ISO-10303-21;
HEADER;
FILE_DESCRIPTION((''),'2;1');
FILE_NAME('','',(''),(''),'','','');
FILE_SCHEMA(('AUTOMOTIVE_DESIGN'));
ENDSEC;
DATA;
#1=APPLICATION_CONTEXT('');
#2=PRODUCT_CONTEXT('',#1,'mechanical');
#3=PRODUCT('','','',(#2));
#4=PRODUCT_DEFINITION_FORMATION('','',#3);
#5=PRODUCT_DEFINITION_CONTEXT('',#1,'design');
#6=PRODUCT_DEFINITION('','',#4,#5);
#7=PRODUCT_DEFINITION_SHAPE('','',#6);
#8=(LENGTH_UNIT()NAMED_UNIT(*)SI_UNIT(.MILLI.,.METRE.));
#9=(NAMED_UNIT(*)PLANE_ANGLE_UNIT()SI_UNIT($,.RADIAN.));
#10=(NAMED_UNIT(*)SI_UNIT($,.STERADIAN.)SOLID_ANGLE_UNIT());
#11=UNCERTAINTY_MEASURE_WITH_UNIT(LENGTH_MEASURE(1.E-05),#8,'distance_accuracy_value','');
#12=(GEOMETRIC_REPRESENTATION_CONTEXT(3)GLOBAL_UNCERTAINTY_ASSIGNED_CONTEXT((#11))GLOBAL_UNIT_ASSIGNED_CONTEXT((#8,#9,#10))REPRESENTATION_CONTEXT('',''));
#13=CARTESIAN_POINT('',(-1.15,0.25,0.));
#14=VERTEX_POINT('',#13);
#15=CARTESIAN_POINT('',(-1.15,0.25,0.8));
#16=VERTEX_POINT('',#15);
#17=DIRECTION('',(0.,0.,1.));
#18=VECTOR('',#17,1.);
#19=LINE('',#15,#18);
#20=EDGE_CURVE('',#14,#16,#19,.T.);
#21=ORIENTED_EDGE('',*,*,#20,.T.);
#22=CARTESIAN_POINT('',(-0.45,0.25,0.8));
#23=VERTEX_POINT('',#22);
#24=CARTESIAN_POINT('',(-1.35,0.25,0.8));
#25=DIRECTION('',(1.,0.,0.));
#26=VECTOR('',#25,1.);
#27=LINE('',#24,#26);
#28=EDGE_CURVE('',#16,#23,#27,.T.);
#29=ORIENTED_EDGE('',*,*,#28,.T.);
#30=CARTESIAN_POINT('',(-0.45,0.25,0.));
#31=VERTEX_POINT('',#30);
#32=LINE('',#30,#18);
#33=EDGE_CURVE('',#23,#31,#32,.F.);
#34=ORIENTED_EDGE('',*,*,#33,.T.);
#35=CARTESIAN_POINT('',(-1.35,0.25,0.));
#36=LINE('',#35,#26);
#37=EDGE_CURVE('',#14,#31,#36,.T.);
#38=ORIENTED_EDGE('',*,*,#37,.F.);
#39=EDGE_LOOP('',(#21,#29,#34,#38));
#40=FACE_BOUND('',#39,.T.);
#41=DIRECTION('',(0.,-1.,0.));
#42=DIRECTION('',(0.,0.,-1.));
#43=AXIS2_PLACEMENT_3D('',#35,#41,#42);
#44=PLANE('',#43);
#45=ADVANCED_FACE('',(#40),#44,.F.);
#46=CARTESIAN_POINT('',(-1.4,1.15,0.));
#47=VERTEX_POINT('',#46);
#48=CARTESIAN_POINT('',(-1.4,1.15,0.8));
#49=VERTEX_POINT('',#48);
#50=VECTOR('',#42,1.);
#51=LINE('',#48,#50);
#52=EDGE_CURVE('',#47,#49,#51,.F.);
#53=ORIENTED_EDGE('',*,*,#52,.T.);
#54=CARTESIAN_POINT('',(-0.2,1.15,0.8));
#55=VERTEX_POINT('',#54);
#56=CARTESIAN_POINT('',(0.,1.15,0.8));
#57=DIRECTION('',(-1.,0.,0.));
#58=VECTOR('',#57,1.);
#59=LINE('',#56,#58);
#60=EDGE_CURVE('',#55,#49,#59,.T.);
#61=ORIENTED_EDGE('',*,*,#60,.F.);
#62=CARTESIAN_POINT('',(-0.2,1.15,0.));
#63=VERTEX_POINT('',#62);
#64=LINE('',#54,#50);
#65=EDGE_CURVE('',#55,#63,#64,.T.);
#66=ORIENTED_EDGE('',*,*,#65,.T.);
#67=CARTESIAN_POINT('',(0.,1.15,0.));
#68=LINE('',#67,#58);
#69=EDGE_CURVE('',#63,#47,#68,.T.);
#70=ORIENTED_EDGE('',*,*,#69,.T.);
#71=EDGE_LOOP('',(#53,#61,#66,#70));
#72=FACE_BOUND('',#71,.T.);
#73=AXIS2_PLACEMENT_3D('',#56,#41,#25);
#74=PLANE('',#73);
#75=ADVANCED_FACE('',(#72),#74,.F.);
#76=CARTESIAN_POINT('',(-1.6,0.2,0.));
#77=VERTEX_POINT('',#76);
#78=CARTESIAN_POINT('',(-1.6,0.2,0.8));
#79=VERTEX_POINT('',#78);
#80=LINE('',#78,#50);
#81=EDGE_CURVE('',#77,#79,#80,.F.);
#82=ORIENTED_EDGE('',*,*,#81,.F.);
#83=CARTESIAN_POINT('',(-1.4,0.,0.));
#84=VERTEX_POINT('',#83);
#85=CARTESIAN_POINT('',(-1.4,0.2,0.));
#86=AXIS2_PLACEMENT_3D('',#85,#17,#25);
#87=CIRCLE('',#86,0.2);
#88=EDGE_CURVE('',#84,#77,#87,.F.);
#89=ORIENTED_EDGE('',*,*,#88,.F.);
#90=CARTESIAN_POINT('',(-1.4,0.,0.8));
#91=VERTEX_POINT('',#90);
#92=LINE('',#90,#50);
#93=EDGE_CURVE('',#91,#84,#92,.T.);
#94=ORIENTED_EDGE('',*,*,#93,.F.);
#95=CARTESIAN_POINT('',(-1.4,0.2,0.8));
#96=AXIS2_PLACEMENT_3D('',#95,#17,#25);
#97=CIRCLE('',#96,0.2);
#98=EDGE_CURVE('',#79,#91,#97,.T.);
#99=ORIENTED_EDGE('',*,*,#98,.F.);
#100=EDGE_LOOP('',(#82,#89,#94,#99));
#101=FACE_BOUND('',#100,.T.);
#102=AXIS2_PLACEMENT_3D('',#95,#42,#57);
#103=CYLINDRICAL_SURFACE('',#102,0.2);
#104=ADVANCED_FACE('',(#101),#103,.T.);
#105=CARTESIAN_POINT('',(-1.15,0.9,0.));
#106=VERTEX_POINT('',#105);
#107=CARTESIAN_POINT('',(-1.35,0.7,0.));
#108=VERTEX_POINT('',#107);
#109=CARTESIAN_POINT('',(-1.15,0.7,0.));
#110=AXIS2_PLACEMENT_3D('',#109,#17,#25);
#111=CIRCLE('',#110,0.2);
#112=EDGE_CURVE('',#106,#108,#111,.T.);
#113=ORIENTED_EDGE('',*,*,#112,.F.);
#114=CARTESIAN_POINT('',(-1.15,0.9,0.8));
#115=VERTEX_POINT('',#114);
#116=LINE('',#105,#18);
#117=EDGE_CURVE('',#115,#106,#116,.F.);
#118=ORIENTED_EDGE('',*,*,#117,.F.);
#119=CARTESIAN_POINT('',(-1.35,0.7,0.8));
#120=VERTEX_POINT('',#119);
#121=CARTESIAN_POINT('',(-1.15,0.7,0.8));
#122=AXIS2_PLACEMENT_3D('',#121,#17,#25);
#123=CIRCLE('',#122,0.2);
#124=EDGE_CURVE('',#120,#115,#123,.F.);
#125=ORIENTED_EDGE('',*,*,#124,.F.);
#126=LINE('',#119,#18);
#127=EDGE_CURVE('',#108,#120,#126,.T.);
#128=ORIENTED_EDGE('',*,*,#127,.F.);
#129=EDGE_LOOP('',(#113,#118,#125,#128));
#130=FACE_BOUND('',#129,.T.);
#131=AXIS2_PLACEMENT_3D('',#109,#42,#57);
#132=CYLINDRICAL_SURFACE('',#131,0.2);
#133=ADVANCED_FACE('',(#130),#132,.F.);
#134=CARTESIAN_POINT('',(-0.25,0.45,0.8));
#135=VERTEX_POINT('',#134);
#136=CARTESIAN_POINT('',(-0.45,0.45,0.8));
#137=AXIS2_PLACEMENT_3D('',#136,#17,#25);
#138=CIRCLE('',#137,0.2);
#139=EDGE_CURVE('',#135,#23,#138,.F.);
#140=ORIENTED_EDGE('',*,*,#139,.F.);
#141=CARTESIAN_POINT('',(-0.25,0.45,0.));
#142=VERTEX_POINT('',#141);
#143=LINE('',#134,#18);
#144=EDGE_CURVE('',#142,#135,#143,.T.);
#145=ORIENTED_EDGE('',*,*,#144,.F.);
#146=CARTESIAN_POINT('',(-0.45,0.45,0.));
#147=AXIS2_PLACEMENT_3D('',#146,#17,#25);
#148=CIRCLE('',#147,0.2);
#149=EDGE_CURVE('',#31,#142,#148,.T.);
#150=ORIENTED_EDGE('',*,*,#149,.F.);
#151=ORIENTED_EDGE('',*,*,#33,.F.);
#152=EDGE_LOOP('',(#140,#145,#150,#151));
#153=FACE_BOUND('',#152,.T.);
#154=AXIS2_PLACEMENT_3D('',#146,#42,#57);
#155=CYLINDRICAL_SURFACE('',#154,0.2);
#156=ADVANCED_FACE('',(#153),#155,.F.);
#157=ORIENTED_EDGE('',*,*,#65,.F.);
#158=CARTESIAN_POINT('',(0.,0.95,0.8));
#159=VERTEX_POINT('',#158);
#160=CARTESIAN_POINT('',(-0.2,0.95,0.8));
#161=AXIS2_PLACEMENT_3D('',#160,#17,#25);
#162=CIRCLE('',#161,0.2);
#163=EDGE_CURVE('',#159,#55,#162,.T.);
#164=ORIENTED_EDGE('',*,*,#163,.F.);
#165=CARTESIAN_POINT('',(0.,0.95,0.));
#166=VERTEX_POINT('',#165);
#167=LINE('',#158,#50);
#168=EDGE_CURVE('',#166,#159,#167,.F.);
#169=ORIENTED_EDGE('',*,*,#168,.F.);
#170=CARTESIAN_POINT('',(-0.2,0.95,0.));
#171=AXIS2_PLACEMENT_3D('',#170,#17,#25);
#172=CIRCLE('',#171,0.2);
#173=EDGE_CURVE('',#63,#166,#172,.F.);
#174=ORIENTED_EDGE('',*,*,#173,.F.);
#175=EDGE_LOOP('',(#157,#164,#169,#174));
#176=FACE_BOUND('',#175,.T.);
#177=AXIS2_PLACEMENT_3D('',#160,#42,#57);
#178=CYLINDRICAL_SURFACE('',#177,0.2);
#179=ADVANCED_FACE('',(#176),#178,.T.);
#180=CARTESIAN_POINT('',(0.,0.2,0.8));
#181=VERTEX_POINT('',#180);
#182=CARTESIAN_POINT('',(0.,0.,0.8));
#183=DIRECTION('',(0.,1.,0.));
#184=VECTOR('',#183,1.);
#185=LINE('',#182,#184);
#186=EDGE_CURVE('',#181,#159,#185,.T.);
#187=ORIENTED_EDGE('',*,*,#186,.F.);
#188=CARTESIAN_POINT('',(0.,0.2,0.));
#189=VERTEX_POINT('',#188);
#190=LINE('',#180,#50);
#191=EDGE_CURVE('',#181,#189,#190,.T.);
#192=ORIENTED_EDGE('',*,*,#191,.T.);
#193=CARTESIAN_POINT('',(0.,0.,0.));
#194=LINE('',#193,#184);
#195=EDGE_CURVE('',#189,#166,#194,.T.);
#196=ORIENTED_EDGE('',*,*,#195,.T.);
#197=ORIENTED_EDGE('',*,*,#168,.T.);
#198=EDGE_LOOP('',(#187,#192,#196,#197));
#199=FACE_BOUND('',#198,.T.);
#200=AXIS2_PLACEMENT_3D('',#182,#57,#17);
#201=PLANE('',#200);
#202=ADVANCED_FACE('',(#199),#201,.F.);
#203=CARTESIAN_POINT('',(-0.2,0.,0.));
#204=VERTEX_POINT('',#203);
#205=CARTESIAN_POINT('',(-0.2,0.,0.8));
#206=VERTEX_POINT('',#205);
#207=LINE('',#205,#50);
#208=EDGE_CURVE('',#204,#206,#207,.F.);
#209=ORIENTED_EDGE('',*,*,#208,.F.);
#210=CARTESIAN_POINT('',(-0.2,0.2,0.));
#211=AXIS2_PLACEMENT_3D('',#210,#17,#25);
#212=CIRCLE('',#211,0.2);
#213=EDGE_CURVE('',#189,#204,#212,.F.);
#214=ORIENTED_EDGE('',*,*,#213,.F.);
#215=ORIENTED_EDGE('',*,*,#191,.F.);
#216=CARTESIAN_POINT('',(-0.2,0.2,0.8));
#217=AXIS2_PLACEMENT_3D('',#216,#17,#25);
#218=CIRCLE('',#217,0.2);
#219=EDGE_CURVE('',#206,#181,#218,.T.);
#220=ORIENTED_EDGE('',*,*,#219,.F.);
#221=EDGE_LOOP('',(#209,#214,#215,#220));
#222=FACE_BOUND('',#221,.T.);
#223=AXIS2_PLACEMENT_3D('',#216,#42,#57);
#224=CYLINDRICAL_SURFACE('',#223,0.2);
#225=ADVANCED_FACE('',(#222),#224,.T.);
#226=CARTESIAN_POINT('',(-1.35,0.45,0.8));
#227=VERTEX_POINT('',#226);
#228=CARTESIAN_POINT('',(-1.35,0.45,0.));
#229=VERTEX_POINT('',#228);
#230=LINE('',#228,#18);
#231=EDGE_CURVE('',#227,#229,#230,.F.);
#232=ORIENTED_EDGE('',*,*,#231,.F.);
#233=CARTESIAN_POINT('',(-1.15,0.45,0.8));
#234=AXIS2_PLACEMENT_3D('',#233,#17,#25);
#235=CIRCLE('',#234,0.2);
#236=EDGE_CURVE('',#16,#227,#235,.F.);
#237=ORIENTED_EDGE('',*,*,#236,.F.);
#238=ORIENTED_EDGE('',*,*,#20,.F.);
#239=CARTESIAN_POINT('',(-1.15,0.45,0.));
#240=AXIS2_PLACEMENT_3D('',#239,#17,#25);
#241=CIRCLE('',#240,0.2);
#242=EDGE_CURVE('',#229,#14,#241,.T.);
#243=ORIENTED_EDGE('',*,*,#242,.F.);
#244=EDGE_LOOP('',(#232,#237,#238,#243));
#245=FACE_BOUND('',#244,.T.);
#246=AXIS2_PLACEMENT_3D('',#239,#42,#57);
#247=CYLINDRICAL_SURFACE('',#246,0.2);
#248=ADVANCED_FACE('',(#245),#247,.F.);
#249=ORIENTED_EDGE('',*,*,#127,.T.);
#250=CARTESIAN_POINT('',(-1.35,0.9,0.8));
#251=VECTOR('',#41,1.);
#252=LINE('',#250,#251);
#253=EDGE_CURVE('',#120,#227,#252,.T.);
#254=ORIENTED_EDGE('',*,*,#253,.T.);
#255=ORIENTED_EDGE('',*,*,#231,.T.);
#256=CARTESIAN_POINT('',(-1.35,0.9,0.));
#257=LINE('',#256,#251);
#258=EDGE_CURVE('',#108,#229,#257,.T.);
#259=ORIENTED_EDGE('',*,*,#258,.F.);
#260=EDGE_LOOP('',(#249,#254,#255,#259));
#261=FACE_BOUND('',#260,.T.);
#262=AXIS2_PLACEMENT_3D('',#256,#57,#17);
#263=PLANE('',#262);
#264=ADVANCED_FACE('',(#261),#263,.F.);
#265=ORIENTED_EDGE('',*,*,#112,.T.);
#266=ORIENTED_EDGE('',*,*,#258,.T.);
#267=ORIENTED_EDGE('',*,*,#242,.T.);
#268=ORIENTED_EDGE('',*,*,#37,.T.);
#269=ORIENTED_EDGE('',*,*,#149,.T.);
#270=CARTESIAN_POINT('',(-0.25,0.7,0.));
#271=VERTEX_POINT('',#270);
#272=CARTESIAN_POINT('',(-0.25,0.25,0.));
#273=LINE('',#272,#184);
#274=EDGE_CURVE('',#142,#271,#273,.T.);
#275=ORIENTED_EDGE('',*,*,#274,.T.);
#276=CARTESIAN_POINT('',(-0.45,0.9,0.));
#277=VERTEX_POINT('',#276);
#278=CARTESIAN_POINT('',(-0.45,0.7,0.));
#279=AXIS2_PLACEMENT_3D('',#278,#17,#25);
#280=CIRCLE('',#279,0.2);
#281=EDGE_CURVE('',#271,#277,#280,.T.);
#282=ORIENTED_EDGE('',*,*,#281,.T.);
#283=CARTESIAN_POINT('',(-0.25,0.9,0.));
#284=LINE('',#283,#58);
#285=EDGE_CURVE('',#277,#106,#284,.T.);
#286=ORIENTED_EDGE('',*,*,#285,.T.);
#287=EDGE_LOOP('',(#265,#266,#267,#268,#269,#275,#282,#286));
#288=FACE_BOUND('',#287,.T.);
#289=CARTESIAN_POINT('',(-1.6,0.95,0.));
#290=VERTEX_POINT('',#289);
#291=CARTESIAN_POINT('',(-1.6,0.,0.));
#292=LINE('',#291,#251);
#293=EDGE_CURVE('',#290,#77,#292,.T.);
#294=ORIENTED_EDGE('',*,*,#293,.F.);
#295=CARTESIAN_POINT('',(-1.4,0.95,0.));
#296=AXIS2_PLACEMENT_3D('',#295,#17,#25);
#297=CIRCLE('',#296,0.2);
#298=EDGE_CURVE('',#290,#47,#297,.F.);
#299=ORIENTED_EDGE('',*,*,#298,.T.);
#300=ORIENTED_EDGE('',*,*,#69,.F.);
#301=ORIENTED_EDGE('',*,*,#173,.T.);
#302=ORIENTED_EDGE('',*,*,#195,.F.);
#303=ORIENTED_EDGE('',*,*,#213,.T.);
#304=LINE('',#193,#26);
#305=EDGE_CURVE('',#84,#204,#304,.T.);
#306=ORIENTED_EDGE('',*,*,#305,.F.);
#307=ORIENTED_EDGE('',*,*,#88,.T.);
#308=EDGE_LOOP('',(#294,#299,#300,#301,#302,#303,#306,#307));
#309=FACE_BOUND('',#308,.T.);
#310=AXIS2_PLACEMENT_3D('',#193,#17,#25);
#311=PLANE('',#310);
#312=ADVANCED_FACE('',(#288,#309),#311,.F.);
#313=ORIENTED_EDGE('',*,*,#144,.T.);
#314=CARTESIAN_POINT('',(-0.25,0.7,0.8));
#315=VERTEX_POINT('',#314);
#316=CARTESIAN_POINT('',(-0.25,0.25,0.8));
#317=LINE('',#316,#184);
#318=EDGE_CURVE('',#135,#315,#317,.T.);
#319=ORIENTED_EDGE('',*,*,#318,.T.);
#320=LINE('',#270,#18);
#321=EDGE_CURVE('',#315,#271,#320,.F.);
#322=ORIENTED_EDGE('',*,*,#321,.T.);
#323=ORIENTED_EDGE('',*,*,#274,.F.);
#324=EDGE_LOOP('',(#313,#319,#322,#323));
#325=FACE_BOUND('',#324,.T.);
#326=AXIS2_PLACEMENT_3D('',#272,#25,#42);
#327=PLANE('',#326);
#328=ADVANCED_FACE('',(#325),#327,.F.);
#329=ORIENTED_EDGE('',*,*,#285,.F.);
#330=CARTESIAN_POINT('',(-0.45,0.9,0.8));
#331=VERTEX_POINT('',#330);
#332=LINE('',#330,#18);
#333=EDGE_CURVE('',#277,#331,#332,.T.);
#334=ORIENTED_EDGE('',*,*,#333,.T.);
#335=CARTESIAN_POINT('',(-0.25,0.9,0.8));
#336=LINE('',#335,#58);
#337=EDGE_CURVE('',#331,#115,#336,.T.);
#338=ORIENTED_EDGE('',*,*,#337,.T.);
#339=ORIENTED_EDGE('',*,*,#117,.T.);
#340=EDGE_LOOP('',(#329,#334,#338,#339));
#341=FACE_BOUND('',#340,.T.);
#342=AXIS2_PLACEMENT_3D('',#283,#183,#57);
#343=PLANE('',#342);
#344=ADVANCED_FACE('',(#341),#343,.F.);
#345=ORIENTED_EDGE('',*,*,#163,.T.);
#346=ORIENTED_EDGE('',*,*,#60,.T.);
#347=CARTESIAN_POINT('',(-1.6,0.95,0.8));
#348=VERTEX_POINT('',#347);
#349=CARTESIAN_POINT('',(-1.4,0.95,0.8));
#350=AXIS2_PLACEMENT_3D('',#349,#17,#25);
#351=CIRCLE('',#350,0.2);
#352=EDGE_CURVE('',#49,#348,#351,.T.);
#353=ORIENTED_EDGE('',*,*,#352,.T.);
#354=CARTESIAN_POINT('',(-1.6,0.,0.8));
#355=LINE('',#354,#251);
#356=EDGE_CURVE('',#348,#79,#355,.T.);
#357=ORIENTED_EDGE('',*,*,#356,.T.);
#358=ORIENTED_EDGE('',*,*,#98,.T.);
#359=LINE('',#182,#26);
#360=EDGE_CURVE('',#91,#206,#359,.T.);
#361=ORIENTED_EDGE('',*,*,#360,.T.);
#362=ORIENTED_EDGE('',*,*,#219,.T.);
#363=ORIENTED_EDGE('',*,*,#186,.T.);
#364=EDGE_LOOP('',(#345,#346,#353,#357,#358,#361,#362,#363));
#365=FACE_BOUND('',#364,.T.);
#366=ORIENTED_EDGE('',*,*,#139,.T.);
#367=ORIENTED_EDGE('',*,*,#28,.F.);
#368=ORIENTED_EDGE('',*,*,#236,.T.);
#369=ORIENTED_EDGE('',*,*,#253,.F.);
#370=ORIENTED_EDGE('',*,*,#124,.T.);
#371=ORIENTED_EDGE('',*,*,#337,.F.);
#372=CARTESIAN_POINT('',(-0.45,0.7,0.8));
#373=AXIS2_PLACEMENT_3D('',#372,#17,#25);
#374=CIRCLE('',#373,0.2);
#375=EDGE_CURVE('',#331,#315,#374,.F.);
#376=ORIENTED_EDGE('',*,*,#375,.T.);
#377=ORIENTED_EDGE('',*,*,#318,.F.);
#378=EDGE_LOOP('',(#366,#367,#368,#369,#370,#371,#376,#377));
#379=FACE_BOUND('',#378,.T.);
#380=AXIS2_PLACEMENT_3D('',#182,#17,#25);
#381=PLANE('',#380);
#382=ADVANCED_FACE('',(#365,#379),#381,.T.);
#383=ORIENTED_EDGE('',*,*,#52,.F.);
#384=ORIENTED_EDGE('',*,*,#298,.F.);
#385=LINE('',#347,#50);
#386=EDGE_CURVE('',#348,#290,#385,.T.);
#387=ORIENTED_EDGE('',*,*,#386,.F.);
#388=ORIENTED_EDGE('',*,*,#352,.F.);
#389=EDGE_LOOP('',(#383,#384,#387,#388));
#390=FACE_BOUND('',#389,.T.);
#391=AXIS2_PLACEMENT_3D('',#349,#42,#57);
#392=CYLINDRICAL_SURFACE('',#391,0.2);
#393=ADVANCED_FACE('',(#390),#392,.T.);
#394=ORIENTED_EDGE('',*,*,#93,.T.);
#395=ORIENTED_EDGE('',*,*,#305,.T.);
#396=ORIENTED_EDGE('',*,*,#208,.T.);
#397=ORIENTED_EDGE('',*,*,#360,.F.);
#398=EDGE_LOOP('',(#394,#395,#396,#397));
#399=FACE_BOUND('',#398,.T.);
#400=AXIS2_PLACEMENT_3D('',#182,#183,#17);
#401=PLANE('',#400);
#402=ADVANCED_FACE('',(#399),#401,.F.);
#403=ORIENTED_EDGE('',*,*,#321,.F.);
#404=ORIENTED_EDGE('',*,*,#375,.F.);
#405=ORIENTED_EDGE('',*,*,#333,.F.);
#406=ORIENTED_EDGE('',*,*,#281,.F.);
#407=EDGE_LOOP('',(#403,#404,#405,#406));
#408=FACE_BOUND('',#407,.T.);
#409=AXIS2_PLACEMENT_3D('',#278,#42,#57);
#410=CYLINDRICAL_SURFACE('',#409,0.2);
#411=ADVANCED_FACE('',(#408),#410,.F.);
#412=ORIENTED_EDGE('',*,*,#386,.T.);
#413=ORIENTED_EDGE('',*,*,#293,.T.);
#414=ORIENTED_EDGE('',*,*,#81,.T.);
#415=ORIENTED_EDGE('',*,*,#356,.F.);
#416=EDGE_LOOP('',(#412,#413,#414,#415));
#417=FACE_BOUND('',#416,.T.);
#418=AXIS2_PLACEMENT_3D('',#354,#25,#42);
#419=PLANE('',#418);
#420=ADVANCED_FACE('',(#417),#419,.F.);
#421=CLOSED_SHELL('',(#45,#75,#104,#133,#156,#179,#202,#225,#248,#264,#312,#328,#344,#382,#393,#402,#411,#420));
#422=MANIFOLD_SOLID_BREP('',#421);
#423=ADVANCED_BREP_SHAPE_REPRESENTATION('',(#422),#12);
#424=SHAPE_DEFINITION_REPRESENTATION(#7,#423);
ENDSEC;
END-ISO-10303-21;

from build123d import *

# Parameters (mm, degrees)
SKETCH1_W           = 1.6
SKETCH1_H           = 1.15
BOSS_EXTRUDE1_DEPTH = 0.8
FILLET1_R           = 0.2
SKETCH2_W           = 1.1
SKETCH2_H           = 0.65
CUT_EXTRUDE1_DEPTH  = 0.8
FILLET2_R           = 0.2


with BuildPart() as part:
    # Sketch1 → Boss-Extrude1 (new body)
    with BuildSketch(Plane.XY):
        with Locations((-0.8, 0.575)):
            Rectangle(SKETCH1_W, SKETCH1_H)
    extrude(amount=BOSS_EXTRUDE1_DEPTH)

    # Fillet1
    fillet1_edges = [part.edges().sort_by_distance(p)[0] for p in [
        (0, 0, 0.4),
        (-1.6, 0, 0.4),
        (-1.6, 1.15, 0.4),
        (0, 1.15, 0.4),
    ]]
    fillet(fillet1_edges, radius=FILLET1_R)

    # Sketch2 → Cut-Extrude1 (cut)
    with BuildSketch(Plane.XY.offset(0.8)):
        with Locations((-0.8, 0.575)):
            Rectangle(SKETCH2_W, SKETCH2_H)
    extrude(amount=-CUT_EXTRUDE1_DEPTH, mode=Mode.SUBTRACT)

    # Fillet2
    fillet2_edges = [part.edges().sort_by_distance(p)[0] for p in [
        (-1.35, 0.25, 0.4),
        (-1.35, 0.9, 0.4),
        (-0.25, 0.9, 0.4),
        (-0.25, 0.25, 0.4),
    ]]
    fillet(fillet2_edges, radius=FILLET2_R)


solid = part.part
